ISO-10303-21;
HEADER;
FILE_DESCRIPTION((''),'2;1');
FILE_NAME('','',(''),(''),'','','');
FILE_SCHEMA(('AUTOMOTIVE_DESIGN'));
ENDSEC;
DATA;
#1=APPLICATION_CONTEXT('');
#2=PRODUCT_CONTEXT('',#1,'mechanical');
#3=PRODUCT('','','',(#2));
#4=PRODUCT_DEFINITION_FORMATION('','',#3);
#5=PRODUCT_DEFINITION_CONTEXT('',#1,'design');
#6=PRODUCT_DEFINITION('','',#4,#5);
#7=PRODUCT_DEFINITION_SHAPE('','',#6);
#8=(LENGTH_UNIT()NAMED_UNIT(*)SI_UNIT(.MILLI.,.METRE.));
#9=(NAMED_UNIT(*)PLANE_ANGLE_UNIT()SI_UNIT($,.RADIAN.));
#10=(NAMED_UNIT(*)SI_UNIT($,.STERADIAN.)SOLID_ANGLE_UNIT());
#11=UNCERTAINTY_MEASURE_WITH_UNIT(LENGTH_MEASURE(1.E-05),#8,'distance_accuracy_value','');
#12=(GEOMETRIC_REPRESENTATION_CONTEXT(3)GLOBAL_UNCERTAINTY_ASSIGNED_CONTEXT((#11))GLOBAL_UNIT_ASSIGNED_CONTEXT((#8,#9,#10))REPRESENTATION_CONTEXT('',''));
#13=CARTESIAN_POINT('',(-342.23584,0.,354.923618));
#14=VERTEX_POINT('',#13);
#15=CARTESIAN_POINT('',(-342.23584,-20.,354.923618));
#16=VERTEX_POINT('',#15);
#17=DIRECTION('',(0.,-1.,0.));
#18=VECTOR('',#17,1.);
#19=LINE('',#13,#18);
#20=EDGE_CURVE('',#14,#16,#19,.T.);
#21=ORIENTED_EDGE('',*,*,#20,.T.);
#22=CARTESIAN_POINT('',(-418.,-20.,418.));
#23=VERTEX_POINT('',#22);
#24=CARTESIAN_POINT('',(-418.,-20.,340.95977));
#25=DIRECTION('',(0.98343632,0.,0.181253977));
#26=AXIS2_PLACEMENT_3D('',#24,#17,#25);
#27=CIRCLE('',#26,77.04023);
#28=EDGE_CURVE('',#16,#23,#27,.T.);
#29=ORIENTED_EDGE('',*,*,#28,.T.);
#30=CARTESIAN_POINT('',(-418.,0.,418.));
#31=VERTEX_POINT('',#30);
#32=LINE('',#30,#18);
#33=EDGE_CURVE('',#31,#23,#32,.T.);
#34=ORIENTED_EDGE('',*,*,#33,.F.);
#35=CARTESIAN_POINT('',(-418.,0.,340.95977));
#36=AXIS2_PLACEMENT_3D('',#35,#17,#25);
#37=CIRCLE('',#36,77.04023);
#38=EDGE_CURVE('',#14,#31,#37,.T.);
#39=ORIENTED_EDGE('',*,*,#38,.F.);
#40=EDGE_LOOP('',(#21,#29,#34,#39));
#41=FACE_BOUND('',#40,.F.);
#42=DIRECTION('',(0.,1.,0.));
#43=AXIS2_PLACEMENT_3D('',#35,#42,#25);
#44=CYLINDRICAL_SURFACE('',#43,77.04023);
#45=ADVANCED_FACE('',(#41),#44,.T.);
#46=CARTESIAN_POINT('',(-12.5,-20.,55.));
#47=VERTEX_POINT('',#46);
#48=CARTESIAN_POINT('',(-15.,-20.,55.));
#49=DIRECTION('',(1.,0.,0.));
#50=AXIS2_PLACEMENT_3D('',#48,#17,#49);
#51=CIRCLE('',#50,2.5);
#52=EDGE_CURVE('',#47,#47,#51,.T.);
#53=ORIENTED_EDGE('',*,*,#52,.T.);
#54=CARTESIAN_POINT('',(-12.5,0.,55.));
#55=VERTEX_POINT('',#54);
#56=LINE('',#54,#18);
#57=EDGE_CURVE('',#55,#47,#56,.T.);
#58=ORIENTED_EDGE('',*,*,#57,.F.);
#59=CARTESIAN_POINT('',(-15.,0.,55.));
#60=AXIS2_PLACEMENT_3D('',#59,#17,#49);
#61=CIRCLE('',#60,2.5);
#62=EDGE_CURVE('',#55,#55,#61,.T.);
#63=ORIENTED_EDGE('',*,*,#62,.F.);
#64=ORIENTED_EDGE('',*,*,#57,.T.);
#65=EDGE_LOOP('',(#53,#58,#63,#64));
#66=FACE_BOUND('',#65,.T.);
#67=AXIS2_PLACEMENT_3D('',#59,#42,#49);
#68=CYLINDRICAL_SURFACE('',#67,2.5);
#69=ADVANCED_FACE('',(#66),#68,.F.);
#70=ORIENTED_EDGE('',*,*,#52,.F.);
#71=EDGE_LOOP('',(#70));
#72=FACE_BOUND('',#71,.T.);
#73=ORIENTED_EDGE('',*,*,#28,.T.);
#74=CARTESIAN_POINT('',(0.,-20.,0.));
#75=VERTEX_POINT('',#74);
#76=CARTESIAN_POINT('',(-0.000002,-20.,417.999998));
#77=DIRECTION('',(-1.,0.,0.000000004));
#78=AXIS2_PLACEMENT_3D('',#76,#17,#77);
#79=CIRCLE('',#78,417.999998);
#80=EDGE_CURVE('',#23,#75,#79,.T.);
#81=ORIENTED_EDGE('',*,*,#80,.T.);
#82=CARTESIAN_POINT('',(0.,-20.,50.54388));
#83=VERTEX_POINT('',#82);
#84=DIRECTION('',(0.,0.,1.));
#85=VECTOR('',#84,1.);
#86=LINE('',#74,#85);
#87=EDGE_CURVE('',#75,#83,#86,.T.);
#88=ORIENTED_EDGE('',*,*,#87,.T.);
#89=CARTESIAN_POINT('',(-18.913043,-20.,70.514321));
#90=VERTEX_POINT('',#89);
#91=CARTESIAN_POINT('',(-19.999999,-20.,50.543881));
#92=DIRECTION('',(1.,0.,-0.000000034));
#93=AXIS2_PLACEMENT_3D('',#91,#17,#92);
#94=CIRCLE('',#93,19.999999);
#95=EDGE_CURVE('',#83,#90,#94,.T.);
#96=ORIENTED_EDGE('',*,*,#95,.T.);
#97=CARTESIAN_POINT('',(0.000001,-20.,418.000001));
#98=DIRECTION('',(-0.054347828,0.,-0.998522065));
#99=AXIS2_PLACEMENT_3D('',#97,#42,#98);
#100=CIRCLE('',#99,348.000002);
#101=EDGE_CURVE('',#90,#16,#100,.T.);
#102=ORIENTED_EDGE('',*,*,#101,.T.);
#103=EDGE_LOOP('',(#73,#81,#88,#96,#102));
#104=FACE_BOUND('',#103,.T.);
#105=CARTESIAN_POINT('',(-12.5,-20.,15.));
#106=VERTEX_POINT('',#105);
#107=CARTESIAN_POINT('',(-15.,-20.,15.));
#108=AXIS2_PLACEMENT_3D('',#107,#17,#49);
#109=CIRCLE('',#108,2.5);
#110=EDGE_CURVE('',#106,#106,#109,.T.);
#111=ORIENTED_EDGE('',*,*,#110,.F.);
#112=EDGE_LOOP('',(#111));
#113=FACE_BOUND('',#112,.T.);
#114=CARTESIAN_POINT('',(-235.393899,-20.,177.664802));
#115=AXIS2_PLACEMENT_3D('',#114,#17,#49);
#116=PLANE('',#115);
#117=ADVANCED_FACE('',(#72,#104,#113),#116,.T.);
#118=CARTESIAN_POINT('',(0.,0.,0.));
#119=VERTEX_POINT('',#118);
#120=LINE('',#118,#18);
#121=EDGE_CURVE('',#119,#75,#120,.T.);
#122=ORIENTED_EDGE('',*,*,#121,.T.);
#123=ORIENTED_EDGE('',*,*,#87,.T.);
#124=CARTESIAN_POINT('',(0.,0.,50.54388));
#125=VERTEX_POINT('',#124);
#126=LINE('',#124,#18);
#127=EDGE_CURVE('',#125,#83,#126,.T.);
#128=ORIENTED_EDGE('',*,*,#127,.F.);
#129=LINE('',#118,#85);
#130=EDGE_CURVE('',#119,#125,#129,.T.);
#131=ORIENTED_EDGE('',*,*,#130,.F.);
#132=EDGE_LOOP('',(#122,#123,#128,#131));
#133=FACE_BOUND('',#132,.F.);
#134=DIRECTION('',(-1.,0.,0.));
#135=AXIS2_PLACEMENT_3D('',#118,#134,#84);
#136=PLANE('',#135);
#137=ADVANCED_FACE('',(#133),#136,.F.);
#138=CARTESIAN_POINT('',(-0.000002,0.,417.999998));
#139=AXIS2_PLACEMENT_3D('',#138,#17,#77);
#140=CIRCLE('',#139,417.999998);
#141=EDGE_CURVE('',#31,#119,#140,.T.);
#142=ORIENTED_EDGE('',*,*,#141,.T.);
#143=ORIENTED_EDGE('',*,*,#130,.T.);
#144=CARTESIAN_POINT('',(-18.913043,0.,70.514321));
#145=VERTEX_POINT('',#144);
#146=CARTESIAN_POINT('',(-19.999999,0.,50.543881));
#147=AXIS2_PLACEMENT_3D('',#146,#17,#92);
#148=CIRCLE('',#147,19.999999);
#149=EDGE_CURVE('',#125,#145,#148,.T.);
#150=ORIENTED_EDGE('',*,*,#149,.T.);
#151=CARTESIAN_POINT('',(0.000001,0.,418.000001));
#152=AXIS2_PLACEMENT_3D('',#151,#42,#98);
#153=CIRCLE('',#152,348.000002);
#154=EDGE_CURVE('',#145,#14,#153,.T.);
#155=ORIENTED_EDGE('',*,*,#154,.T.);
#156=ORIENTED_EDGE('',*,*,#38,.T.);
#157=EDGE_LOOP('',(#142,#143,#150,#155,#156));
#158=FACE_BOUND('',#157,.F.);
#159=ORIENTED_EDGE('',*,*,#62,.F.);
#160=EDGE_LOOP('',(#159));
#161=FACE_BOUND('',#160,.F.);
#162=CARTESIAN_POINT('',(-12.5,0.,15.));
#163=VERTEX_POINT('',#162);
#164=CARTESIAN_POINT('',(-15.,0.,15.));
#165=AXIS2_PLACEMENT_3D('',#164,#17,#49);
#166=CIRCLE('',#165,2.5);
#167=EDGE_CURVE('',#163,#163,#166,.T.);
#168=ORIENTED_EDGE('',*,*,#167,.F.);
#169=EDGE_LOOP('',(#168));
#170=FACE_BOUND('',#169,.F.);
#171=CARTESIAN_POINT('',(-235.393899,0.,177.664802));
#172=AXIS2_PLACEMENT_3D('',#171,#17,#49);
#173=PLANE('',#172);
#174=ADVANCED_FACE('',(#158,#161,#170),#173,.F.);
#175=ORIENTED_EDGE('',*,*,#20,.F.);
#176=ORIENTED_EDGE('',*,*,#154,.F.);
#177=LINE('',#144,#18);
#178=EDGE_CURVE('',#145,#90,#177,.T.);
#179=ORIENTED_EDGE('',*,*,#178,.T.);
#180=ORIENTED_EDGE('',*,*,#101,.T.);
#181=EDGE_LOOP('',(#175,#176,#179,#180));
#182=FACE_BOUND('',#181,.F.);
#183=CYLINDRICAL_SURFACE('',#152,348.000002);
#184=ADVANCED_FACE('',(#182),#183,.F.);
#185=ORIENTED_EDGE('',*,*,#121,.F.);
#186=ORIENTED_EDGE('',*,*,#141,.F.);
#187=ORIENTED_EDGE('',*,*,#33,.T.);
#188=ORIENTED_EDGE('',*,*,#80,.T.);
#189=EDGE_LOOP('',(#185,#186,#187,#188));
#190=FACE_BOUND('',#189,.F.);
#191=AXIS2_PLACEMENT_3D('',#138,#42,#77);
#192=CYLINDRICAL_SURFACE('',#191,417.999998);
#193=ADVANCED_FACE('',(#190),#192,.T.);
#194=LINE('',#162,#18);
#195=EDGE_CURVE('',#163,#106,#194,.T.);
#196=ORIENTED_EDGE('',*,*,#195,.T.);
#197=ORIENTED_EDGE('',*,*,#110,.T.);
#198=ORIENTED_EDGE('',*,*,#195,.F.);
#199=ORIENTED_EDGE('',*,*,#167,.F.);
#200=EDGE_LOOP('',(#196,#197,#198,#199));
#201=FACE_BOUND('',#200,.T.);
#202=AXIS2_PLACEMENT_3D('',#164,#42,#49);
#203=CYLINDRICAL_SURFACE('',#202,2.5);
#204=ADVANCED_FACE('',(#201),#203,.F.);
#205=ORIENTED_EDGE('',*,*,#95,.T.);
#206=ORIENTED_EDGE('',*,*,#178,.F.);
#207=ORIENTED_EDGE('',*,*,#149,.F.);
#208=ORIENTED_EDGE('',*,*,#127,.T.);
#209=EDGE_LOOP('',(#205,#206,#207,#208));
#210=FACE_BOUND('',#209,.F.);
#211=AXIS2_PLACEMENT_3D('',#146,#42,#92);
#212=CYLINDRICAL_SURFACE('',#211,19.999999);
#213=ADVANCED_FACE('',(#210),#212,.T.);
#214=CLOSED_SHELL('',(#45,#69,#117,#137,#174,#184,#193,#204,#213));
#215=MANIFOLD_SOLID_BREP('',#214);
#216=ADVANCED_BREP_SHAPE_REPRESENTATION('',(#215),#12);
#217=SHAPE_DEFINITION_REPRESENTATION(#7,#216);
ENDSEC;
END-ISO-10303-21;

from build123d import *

# Parameters (mm, degrees)
F0_R     = 2.5
F1_DEPTH = 20


with BuildPart() as f1:
    # F0 (on Front) → F1 (new body)
    with BuildSketch(Plane.XZ):
        with BuildLine():
            ThreePointArc((-342.23584, 354.923618), (-368.707917, 400.166928), (-418, 418))
            ThreePointArc((-418, 418), (-295.570635, 122.429365), (0, 0))
            Line((0, 0), (0, 50.54388))
            ThreePointArc((0, 50.54388), (-5.478651, 64.29635), (-18.913043, 70.514321))
            ThreePointArc((-18.913043, 70.514321), (-229.846233, 156.705704), (-342.23584, 354.923618))
        make_face()
        with Locations((-15, 15)):
            Circle(F0_R, mode=Mode.SUBTRACT)
        with Locations((-15, 55)):
            Circle(F0_R, mode=Mode.SUBTRACT)
    extrude(amount=F1_DEPTH)


solid = f1.part
